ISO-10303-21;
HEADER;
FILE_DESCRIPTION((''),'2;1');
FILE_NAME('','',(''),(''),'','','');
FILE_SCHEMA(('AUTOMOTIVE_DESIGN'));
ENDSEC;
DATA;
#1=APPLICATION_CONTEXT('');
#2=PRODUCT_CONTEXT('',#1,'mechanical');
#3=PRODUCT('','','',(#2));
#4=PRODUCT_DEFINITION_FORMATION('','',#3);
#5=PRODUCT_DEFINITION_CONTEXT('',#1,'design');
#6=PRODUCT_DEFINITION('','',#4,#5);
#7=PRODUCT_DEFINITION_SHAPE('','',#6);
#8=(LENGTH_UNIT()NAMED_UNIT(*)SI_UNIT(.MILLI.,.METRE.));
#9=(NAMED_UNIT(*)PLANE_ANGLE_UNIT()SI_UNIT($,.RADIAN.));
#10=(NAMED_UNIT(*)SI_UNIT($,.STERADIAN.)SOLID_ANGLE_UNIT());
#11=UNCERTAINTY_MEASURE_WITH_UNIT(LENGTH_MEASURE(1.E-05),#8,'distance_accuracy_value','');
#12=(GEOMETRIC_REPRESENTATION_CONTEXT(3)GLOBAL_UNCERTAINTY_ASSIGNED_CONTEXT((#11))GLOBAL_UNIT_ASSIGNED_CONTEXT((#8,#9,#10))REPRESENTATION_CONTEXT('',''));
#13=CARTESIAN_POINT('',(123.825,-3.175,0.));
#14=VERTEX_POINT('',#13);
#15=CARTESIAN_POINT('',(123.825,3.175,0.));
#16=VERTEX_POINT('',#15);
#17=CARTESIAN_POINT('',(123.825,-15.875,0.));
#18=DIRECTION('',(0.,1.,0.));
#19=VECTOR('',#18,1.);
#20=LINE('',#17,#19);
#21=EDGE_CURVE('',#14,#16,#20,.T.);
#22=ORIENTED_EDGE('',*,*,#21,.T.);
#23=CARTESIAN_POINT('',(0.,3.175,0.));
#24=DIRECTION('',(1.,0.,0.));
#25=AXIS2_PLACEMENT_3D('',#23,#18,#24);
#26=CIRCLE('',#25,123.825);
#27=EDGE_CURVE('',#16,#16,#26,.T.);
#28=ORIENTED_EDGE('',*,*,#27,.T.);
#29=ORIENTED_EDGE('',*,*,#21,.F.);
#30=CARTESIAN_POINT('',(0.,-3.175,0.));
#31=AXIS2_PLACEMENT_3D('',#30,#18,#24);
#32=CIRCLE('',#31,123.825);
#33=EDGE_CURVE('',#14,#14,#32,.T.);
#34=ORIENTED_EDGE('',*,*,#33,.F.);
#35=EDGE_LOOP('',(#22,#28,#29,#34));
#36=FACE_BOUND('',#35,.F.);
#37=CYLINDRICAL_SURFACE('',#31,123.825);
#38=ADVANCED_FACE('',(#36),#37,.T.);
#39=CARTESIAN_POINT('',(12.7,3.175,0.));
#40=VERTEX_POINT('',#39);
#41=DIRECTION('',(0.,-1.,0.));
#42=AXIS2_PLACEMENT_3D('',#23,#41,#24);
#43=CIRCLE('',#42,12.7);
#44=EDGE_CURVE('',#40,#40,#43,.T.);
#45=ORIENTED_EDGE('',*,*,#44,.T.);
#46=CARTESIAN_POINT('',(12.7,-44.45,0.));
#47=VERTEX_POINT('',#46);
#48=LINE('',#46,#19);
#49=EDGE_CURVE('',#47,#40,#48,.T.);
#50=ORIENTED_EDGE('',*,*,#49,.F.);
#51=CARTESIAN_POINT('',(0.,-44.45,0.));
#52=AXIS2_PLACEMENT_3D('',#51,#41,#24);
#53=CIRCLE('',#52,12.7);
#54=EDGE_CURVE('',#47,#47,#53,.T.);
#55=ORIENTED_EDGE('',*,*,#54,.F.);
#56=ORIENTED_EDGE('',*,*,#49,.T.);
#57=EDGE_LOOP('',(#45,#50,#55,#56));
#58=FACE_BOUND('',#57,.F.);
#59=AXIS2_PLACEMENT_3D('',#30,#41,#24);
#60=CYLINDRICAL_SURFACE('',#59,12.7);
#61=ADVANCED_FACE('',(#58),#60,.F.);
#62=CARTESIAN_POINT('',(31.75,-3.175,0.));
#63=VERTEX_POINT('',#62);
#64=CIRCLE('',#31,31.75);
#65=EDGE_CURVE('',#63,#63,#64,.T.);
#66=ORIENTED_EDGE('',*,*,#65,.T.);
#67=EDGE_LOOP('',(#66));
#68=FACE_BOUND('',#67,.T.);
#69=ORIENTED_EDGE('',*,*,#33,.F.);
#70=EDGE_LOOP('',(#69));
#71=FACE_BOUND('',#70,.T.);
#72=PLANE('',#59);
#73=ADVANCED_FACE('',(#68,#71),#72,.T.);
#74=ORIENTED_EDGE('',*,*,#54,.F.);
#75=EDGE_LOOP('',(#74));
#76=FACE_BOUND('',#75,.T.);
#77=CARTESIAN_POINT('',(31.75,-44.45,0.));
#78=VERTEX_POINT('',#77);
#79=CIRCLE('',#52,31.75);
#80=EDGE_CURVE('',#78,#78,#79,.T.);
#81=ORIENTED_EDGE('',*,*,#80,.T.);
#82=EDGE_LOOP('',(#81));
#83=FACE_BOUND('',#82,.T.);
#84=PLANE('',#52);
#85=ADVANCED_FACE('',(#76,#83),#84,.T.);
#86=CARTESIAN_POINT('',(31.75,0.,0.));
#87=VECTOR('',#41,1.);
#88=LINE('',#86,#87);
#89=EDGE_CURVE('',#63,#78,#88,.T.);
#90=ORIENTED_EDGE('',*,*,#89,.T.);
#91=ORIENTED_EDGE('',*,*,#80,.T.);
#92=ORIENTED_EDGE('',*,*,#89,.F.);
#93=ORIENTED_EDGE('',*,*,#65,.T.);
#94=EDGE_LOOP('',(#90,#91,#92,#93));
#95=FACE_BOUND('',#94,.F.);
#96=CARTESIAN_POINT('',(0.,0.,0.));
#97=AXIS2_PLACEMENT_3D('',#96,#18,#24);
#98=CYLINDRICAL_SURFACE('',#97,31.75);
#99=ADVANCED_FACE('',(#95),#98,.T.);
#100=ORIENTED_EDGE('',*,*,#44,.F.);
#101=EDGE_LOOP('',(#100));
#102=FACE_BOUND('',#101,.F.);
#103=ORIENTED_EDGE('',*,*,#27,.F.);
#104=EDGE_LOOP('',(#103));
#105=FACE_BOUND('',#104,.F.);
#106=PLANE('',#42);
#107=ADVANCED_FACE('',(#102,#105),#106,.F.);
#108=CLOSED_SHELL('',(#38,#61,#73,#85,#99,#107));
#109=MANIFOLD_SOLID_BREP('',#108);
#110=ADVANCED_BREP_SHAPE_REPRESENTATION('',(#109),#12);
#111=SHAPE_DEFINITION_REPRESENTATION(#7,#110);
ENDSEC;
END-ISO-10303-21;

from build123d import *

# Parameters (mm, degrees)
F0_R     = 31.75
F0_R_2   = 12.7
F1_DEPTH = 44.45
F2_R     = 127
F3_DEPTH = 3.175
F4_R     = 12.7
F5_DEPTH = 38.1
F6_R     = 127
F6_R_2   = 123.825
F7_DEPTH = 12.7


with BuildPart() as f1:
    # F0 (on Front) → F1 (new body)
    with BuildSketch(Plane.XZ):
        Circle(F0_R)
        Circle(F0_R_2, mode=Mode.SUBTRACT)
    extrude(amount=F1_DEPTH)

    # F2 (on Front) → F3 (join, symmetric)
    with BuildSketch(Plane.XZ):
        Circle(F2_R)
    extrude(amount=F3_DEPTH, both=True)

    # F4 (on face) → F5 (cut, symmetric)
    with BuildSketch(Plane.XZ.offset(3.175)):
        Circle(F4_R)
    extrude(amount=F5_DEPTH, both=True, mode=Mode.SUBTRACT)

    # F6 (on face) → F7 (cut, symmetric)
    with BuildSketch(Plane.XZ.offset(3.175)):
        Circle(F6_R)
        Circle(F6_R_2, mode=Mode.SUBTRACT)
    extrude(amount=F7_DEPTH, both=True, mode=Mode.SUBTRACT)


solid = f1.part
